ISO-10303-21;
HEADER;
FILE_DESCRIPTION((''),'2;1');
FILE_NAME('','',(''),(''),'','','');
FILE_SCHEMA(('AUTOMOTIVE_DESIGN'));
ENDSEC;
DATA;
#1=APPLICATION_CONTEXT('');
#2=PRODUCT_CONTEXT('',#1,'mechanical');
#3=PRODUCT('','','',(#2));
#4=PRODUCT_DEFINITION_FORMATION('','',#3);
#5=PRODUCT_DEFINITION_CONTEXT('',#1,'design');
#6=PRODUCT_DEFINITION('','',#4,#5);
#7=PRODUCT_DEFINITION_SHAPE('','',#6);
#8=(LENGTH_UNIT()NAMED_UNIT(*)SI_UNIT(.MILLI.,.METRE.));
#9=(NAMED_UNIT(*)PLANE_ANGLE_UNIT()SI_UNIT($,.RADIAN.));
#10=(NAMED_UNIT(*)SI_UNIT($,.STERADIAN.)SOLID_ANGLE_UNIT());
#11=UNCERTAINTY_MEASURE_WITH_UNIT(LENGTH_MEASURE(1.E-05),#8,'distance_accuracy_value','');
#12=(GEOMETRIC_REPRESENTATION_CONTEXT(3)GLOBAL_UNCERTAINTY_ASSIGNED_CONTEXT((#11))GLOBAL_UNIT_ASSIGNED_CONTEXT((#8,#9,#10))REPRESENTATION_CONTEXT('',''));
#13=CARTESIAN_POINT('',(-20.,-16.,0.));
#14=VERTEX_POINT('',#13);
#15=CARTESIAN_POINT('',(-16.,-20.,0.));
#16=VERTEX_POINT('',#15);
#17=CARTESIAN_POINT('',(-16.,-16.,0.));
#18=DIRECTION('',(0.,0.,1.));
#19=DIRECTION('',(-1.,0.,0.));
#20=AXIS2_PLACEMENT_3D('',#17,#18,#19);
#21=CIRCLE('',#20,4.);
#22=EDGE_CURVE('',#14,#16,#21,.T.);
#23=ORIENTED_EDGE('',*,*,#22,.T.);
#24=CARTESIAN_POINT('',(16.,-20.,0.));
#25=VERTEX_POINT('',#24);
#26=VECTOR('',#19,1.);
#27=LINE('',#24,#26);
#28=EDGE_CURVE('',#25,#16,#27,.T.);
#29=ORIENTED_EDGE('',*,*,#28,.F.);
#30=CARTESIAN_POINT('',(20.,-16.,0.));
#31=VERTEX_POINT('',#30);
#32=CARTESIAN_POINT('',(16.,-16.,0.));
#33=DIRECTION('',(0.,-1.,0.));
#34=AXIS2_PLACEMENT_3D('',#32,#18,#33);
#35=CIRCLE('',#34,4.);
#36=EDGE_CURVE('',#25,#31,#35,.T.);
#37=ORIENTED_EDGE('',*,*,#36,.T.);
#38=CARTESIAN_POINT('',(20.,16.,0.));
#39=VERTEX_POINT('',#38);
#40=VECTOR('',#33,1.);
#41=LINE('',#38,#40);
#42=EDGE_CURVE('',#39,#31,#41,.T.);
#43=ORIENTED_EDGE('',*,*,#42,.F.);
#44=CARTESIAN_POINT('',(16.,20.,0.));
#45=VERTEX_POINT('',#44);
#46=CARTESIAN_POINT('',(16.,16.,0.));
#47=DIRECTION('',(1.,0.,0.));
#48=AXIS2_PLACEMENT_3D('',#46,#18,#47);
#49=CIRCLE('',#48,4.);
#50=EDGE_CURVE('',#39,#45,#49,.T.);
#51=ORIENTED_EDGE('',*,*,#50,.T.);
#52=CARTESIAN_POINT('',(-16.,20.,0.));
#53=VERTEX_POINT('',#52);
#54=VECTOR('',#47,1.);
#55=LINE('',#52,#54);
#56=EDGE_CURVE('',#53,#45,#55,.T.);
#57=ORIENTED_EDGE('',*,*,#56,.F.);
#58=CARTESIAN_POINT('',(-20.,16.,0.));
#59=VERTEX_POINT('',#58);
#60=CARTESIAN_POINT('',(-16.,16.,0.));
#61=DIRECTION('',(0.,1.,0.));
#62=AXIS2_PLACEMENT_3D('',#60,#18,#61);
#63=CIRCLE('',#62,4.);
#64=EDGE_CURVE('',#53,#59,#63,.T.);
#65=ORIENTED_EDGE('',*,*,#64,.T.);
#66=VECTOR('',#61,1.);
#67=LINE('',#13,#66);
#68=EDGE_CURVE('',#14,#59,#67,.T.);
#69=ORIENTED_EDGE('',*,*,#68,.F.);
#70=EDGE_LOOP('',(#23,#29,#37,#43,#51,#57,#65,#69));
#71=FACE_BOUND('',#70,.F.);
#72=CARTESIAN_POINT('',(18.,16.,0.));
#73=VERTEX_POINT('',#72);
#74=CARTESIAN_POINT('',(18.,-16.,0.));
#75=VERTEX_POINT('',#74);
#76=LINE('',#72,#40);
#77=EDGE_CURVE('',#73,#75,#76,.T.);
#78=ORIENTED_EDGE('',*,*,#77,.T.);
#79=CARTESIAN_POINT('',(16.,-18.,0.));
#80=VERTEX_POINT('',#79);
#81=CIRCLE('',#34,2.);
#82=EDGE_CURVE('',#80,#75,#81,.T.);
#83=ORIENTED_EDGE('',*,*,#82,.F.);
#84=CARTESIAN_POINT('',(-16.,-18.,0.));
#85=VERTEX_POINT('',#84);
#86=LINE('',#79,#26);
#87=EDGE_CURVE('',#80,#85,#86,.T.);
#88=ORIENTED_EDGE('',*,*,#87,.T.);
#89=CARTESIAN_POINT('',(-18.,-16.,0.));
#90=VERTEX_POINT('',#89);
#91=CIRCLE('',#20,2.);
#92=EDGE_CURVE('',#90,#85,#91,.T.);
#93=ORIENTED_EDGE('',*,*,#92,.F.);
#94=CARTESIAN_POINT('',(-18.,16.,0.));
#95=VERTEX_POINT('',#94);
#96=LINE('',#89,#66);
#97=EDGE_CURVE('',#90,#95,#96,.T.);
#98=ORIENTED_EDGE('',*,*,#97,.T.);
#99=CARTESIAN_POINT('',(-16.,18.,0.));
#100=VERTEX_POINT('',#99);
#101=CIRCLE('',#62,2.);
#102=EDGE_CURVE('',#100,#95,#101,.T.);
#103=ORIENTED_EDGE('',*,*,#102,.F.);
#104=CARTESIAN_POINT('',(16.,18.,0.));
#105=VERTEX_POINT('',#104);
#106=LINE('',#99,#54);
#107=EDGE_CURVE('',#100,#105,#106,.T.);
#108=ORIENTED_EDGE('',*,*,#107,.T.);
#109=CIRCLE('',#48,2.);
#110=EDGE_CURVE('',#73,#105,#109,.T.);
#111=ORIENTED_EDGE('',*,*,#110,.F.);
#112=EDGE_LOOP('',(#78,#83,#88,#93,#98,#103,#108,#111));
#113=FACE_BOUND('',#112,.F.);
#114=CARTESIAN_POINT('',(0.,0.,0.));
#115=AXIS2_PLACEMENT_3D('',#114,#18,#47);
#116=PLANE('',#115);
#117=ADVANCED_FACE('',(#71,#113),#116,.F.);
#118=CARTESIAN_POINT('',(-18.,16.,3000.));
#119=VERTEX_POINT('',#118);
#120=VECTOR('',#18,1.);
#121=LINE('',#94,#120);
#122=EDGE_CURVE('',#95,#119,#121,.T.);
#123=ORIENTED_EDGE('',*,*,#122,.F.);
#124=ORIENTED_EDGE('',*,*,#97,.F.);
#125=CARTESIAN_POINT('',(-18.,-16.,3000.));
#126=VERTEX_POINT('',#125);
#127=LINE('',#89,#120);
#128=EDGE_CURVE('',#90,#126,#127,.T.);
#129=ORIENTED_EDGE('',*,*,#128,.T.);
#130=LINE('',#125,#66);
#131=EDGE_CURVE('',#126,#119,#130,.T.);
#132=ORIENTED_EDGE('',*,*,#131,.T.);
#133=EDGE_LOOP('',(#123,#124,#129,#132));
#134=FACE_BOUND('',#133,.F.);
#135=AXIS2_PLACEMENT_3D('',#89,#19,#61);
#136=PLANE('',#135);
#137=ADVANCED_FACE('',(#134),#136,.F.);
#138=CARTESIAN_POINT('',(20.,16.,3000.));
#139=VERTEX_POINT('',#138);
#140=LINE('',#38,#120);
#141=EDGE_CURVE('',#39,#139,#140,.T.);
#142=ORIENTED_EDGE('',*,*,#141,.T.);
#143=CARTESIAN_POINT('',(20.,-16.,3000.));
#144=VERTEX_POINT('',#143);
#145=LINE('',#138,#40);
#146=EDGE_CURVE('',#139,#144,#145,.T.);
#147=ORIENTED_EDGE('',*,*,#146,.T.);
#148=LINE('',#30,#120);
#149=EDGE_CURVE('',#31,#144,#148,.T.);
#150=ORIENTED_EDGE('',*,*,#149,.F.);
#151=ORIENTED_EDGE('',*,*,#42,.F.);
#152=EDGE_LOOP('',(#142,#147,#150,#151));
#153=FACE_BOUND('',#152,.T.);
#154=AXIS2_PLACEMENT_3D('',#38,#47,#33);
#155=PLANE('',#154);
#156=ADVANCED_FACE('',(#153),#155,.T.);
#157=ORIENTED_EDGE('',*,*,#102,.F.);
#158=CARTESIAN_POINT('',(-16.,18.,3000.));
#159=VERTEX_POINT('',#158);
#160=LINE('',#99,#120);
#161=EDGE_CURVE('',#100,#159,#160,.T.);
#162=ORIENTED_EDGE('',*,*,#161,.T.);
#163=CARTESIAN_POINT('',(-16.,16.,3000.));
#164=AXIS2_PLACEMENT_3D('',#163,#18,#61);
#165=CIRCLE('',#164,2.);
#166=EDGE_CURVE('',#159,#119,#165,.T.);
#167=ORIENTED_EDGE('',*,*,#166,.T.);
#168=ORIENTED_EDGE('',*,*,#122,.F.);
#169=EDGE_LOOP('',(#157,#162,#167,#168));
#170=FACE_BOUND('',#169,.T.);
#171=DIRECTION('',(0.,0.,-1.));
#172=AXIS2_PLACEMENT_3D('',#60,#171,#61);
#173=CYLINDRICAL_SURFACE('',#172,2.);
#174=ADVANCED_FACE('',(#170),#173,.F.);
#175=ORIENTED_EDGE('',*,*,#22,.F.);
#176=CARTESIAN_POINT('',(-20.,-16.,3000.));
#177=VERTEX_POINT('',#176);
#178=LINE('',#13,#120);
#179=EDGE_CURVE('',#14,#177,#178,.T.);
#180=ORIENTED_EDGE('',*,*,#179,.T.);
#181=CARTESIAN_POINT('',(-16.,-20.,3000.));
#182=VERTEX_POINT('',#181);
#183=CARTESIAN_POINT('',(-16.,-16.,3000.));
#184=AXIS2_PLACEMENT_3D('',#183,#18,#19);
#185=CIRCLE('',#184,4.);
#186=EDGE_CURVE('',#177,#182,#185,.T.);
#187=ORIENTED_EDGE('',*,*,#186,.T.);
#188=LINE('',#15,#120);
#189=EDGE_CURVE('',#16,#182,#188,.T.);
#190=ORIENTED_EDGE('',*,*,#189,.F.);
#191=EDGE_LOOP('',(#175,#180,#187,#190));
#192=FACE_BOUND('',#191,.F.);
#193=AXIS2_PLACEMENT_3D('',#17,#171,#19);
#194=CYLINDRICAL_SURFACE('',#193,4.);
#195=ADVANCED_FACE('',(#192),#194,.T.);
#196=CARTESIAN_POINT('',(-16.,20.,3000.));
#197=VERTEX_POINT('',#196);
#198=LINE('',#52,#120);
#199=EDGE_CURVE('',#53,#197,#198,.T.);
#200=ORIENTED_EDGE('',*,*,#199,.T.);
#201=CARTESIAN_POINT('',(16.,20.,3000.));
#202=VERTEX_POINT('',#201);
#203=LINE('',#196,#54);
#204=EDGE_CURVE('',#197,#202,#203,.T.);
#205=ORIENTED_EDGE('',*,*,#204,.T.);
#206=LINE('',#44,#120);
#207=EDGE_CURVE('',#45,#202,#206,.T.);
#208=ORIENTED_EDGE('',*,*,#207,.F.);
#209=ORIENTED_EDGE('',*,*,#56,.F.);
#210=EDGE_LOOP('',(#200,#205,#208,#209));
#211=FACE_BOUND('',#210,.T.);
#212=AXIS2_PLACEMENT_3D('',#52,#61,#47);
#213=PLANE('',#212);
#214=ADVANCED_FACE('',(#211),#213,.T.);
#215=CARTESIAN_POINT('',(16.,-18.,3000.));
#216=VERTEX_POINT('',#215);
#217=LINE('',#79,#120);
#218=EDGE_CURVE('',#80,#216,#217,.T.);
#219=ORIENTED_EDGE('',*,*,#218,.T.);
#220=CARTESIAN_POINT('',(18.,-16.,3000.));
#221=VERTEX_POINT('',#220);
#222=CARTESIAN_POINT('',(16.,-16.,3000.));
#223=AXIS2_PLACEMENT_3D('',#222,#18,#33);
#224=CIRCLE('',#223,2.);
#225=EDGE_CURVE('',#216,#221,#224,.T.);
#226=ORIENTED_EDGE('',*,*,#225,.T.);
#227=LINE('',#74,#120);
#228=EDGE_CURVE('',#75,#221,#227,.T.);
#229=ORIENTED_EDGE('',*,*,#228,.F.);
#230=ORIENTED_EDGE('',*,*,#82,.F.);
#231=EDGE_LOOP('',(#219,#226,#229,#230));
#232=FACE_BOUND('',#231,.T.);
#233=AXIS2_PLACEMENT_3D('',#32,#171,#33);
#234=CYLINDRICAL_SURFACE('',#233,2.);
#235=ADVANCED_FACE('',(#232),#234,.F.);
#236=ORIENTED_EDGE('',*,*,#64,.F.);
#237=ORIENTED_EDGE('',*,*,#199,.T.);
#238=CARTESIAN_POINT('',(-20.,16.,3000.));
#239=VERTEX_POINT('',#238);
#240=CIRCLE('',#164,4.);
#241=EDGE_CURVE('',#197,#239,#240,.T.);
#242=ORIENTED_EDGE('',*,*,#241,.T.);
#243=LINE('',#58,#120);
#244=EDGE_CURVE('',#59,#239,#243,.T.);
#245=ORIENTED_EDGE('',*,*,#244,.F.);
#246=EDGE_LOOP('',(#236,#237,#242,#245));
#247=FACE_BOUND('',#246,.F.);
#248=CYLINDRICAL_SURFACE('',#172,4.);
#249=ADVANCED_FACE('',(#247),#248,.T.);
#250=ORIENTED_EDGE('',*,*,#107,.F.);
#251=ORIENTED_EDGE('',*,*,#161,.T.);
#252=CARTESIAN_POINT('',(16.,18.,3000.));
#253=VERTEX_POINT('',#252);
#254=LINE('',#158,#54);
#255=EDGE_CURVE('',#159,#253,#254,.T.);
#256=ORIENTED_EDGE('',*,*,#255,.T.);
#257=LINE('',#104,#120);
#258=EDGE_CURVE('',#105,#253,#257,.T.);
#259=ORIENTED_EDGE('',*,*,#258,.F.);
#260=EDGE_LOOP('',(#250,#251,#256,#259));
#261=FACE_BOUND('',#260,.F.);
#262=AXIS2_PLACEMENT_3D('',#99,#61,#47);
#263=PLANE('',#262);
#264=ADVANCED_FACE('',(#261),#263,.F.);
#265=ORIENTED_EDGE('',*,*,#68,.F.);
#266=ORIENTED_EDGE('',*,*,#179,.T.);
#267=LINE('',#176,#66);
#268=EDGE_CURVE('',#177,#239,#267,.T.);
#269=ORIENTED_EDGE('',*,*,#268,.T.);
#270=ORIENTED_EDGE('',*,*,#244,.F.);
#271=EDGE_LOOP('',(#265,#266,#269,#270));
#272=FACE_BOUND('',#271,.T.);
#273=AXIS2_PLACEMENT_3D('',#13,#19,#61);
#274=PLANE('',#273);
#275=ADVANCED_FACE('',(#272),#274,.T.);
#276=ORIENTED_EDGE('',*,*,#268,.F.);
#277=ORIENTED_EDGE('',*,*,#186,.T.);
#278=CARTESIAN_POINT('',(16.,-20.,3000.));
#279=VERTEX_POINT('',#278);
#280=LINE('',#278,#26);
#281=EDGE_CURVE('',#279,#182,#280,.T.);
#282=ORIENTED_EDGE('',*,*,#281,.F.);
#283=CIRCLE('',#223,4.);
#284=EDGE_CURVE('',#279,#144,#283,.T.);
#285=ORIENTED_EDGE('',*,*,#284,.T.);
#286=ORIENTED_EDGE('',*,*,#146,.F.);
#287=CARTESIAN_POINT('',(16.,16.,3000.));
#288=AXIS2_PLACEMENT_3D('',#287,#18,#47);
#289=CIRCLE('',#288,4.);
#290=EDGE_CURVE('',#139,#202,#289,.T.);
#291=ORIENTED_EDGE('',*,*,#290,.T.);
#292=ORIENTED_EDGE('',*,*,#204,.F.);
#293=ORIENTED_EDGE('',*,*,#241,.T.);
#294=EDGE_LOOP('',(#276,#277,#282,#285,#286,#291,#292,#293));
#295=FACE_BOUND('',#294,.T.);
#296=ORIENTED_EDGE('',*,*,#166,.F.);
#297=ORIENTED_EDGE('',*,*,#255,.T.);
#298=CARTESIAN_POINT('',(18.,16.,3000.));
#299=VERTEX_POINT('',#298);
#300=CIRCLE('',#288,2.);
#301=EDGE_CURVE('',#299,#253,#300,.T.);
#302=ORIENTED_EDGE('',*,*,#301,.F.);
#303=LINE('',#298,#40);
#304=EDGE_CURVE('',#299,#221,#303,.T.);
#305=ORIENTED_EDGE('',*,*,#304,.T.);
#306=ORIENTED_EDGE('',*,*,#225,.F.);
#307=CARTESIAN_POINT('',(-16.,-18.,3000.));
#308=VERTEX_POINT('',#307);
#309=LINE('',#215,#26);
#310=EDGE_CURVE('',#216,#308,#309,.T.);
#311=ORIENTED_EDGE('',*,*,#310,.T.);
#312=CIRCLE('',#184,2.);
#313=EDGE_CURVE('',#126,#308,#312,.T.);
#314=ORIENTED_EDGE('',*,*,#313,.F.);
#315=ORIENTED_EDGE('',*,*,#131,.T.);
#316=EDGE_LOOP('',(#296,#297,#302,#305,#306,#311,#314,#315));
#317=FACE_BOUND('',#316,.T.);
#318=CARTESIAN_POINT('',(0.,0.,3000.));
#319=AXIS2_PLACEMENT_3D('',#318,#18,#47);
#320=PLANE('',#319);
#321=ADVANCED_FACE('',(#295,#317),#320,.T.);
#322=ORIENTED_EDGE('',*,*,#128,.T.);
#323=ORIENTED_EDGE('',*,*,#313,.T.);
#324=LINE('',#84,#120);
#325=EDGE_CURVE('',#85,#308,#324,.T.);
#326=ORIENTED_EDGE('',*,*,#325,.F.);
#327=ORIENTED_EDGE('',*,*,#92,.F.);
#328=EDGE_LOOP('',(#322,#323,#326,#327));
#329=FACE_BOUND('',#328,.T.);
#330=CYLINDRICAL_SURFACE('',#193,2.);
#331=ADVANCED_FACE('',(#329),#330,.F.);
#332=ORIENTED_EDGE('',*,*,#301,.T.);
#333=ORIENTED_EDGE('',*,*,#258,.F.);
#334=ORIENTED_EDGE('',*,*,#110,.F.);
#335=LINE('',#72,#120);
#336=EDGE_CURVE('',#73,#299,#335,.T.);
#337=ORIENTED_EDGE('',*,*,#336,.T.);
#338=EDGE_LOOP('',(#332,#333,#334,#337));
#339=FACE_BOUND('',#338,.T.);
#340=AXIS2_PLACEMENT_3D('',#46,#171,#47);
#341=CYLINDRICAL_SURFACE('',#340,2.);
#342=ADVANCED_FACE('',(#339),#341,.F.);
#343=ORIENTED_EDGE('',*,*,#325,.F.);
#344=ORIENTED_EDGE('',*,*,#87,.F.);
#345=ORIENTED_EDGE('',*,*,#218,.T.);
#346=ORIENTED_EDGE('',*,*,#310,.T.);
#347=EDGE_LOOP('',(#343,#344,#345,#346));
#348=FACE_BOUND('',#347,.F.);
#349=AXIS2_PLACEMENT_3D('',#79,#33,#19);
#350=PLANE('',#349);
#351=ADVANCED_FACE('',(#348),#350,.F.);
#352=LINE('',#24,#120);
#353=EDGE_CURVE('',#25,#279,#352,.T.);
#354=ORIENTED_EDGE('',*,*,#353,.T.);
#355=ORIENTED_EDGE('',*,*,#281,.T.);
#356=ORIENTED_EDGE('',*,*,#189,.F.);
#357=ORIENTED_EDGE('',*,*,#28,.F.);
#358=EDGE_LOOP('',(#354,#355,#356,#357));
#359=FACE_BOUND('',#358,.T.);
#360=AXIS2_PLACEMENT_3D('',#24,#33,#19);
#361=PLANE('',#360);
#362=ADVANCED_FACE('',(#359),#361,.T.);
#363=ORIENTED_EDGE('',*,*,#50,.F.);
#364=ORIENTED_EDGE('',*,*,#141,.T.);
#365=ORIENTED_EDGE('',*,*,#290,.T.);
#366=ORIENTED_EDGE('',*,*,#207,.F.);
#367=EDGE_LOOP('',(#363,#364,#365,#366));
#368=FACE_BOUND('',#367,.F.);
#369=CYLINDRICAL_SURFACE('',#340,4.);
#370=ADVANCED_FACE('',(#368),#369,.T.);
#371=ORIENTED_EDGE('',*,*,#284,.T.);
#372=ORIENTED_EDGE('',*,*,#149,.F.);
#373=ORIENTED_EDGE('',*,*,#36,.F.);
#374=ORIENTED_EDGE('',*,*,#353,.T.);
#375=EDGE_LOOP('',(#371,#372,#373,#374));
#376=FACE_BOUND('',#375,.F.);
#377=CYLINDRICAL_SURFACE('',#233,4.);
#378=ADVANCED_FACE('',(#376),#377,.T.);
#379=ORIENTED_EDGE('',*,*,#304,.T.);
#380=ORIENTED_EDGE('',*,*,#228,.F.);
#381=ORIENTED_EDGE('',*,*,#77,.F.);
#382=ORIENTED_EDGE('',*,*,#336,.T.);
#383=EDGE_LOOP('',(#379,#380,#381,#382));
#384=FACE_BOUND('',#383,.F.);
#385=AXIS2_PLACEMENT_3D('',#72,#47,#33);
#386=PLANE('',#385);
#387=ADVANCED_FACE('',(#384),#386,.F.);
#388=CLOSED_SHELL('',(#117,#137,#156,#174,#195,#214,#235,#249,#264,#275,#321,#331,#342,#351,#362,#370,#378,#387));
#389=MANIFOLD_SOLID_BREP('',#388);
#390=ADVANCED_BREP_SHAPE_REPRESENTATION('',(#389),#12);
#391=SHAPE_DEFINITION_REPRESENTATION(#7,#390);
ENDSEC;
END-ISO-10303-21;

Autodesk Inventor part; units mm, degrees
ref_plane "YZ Plane" through (0, 0, 0) normal (1, 0, 0) x (0, 1, 0)
ref_plane "Start Plane" through (0, 0, 0) normal (0, 0, 1) x (1, 0, 0)
ref_plane "End Plane" through (0, 0, 3000) normal (0, 0, 1) x (1, 0, 0)
sketch "Sketch" plane through (0, 0, 0) normal (0, 0, 1) x (1, 0, 0)
  line L0 (-20, -16) -> (-20, 16)
  line L1 (-16, 20) -> (16, 20)
  line L2 (20, 16) -> (20, -16)
  line L3 (16, -20) -> (-16, -20)
  arc A0 (-20, -16) -> (-16, -20) centre (-16, -16) ccw
  arc A1 (20, 16) -> (16, 20) centre (16, 16) ccw
  arc A2 (-16, 20) -> (-20, 16) centre (-16, 16) ccw
  arc A3 (16, -20) -> (20, -16) centre (16, -16) ccw
  arc A4 (-16, 18) -> (-18, 16) centre (-16, 16) ccw
  line L4 (-16, 18) -> (16, 18)
  arc A5 (18, 16) -> (16, 18) centre (16, 16) ccw
  line L5 (18, 16) -> (18, -16)
  arc A6 (16, -18) -> (18, -16) centre (16, -16) ccw
  line L6 (16, -18) -> (-16, -18)
  arc A7 (-18, -16) -> (-16, -18) centre (-16, -16) ccw
  line L7 (-18, -16) -> (-18, 16)
  line L8 (0, 29.1598) -> (0, -29.1598) construction
  line L9 (-29.1598, 0) -> (29.1598, 0) construction
  dimension "d7" = 4
  dimension "d9" = 40
  dimension "d11" = 40
  dimension "d12" = 2
  dimension "d15" = 20
  dimension "d16" = 20
extrude "Body" add sketch "Sketch" along normal up to surface (3000 mm away) from surface at 0
sketch "Sketch3" plane through (0, 0, 0) normal (0, 0, 1) x (1, 0, 0)
  line L0 (0, 0) -> (10, 0)
ref_plane "Work Plane3" through (0, 0, 0) normal (0, -1, 0) x (1, 0, 0)
sketch "Sketch4" plane through (0, 0, 0) normal (0, -1, 0) x (1, 0, 0)
  line L0 (-2, 0) -> (12, 0) projected
  line L1 (-2, 3000) -> (12, 3000) projected
  dimension "d18" = 3000
equation "\"d7\" = G_IR"
equation "\"d9\" = G_W"
equation "\"d11\" = G_H"
equation "\"d12\" = G_T"
equation "\"d15\" = 0.5 * d9"
equation "\"d16\" = 0.5 * d11"
equation "\"d3\" = G_L"
equation "\"G_W\" = 40"
equation "\"G_H\" = 40"
equation "\"G_T\" = 2"
equation "\"G_IR\" = 4"
equation "\"G_L\" = d18"
equation "\"G_OFFSET_START\" = 0"
equation "\"G_OFFSET_END\" = 0"
properties part number "ISO 10799-2 - 40x40x2 - 3000" material "Stainless Steel"
